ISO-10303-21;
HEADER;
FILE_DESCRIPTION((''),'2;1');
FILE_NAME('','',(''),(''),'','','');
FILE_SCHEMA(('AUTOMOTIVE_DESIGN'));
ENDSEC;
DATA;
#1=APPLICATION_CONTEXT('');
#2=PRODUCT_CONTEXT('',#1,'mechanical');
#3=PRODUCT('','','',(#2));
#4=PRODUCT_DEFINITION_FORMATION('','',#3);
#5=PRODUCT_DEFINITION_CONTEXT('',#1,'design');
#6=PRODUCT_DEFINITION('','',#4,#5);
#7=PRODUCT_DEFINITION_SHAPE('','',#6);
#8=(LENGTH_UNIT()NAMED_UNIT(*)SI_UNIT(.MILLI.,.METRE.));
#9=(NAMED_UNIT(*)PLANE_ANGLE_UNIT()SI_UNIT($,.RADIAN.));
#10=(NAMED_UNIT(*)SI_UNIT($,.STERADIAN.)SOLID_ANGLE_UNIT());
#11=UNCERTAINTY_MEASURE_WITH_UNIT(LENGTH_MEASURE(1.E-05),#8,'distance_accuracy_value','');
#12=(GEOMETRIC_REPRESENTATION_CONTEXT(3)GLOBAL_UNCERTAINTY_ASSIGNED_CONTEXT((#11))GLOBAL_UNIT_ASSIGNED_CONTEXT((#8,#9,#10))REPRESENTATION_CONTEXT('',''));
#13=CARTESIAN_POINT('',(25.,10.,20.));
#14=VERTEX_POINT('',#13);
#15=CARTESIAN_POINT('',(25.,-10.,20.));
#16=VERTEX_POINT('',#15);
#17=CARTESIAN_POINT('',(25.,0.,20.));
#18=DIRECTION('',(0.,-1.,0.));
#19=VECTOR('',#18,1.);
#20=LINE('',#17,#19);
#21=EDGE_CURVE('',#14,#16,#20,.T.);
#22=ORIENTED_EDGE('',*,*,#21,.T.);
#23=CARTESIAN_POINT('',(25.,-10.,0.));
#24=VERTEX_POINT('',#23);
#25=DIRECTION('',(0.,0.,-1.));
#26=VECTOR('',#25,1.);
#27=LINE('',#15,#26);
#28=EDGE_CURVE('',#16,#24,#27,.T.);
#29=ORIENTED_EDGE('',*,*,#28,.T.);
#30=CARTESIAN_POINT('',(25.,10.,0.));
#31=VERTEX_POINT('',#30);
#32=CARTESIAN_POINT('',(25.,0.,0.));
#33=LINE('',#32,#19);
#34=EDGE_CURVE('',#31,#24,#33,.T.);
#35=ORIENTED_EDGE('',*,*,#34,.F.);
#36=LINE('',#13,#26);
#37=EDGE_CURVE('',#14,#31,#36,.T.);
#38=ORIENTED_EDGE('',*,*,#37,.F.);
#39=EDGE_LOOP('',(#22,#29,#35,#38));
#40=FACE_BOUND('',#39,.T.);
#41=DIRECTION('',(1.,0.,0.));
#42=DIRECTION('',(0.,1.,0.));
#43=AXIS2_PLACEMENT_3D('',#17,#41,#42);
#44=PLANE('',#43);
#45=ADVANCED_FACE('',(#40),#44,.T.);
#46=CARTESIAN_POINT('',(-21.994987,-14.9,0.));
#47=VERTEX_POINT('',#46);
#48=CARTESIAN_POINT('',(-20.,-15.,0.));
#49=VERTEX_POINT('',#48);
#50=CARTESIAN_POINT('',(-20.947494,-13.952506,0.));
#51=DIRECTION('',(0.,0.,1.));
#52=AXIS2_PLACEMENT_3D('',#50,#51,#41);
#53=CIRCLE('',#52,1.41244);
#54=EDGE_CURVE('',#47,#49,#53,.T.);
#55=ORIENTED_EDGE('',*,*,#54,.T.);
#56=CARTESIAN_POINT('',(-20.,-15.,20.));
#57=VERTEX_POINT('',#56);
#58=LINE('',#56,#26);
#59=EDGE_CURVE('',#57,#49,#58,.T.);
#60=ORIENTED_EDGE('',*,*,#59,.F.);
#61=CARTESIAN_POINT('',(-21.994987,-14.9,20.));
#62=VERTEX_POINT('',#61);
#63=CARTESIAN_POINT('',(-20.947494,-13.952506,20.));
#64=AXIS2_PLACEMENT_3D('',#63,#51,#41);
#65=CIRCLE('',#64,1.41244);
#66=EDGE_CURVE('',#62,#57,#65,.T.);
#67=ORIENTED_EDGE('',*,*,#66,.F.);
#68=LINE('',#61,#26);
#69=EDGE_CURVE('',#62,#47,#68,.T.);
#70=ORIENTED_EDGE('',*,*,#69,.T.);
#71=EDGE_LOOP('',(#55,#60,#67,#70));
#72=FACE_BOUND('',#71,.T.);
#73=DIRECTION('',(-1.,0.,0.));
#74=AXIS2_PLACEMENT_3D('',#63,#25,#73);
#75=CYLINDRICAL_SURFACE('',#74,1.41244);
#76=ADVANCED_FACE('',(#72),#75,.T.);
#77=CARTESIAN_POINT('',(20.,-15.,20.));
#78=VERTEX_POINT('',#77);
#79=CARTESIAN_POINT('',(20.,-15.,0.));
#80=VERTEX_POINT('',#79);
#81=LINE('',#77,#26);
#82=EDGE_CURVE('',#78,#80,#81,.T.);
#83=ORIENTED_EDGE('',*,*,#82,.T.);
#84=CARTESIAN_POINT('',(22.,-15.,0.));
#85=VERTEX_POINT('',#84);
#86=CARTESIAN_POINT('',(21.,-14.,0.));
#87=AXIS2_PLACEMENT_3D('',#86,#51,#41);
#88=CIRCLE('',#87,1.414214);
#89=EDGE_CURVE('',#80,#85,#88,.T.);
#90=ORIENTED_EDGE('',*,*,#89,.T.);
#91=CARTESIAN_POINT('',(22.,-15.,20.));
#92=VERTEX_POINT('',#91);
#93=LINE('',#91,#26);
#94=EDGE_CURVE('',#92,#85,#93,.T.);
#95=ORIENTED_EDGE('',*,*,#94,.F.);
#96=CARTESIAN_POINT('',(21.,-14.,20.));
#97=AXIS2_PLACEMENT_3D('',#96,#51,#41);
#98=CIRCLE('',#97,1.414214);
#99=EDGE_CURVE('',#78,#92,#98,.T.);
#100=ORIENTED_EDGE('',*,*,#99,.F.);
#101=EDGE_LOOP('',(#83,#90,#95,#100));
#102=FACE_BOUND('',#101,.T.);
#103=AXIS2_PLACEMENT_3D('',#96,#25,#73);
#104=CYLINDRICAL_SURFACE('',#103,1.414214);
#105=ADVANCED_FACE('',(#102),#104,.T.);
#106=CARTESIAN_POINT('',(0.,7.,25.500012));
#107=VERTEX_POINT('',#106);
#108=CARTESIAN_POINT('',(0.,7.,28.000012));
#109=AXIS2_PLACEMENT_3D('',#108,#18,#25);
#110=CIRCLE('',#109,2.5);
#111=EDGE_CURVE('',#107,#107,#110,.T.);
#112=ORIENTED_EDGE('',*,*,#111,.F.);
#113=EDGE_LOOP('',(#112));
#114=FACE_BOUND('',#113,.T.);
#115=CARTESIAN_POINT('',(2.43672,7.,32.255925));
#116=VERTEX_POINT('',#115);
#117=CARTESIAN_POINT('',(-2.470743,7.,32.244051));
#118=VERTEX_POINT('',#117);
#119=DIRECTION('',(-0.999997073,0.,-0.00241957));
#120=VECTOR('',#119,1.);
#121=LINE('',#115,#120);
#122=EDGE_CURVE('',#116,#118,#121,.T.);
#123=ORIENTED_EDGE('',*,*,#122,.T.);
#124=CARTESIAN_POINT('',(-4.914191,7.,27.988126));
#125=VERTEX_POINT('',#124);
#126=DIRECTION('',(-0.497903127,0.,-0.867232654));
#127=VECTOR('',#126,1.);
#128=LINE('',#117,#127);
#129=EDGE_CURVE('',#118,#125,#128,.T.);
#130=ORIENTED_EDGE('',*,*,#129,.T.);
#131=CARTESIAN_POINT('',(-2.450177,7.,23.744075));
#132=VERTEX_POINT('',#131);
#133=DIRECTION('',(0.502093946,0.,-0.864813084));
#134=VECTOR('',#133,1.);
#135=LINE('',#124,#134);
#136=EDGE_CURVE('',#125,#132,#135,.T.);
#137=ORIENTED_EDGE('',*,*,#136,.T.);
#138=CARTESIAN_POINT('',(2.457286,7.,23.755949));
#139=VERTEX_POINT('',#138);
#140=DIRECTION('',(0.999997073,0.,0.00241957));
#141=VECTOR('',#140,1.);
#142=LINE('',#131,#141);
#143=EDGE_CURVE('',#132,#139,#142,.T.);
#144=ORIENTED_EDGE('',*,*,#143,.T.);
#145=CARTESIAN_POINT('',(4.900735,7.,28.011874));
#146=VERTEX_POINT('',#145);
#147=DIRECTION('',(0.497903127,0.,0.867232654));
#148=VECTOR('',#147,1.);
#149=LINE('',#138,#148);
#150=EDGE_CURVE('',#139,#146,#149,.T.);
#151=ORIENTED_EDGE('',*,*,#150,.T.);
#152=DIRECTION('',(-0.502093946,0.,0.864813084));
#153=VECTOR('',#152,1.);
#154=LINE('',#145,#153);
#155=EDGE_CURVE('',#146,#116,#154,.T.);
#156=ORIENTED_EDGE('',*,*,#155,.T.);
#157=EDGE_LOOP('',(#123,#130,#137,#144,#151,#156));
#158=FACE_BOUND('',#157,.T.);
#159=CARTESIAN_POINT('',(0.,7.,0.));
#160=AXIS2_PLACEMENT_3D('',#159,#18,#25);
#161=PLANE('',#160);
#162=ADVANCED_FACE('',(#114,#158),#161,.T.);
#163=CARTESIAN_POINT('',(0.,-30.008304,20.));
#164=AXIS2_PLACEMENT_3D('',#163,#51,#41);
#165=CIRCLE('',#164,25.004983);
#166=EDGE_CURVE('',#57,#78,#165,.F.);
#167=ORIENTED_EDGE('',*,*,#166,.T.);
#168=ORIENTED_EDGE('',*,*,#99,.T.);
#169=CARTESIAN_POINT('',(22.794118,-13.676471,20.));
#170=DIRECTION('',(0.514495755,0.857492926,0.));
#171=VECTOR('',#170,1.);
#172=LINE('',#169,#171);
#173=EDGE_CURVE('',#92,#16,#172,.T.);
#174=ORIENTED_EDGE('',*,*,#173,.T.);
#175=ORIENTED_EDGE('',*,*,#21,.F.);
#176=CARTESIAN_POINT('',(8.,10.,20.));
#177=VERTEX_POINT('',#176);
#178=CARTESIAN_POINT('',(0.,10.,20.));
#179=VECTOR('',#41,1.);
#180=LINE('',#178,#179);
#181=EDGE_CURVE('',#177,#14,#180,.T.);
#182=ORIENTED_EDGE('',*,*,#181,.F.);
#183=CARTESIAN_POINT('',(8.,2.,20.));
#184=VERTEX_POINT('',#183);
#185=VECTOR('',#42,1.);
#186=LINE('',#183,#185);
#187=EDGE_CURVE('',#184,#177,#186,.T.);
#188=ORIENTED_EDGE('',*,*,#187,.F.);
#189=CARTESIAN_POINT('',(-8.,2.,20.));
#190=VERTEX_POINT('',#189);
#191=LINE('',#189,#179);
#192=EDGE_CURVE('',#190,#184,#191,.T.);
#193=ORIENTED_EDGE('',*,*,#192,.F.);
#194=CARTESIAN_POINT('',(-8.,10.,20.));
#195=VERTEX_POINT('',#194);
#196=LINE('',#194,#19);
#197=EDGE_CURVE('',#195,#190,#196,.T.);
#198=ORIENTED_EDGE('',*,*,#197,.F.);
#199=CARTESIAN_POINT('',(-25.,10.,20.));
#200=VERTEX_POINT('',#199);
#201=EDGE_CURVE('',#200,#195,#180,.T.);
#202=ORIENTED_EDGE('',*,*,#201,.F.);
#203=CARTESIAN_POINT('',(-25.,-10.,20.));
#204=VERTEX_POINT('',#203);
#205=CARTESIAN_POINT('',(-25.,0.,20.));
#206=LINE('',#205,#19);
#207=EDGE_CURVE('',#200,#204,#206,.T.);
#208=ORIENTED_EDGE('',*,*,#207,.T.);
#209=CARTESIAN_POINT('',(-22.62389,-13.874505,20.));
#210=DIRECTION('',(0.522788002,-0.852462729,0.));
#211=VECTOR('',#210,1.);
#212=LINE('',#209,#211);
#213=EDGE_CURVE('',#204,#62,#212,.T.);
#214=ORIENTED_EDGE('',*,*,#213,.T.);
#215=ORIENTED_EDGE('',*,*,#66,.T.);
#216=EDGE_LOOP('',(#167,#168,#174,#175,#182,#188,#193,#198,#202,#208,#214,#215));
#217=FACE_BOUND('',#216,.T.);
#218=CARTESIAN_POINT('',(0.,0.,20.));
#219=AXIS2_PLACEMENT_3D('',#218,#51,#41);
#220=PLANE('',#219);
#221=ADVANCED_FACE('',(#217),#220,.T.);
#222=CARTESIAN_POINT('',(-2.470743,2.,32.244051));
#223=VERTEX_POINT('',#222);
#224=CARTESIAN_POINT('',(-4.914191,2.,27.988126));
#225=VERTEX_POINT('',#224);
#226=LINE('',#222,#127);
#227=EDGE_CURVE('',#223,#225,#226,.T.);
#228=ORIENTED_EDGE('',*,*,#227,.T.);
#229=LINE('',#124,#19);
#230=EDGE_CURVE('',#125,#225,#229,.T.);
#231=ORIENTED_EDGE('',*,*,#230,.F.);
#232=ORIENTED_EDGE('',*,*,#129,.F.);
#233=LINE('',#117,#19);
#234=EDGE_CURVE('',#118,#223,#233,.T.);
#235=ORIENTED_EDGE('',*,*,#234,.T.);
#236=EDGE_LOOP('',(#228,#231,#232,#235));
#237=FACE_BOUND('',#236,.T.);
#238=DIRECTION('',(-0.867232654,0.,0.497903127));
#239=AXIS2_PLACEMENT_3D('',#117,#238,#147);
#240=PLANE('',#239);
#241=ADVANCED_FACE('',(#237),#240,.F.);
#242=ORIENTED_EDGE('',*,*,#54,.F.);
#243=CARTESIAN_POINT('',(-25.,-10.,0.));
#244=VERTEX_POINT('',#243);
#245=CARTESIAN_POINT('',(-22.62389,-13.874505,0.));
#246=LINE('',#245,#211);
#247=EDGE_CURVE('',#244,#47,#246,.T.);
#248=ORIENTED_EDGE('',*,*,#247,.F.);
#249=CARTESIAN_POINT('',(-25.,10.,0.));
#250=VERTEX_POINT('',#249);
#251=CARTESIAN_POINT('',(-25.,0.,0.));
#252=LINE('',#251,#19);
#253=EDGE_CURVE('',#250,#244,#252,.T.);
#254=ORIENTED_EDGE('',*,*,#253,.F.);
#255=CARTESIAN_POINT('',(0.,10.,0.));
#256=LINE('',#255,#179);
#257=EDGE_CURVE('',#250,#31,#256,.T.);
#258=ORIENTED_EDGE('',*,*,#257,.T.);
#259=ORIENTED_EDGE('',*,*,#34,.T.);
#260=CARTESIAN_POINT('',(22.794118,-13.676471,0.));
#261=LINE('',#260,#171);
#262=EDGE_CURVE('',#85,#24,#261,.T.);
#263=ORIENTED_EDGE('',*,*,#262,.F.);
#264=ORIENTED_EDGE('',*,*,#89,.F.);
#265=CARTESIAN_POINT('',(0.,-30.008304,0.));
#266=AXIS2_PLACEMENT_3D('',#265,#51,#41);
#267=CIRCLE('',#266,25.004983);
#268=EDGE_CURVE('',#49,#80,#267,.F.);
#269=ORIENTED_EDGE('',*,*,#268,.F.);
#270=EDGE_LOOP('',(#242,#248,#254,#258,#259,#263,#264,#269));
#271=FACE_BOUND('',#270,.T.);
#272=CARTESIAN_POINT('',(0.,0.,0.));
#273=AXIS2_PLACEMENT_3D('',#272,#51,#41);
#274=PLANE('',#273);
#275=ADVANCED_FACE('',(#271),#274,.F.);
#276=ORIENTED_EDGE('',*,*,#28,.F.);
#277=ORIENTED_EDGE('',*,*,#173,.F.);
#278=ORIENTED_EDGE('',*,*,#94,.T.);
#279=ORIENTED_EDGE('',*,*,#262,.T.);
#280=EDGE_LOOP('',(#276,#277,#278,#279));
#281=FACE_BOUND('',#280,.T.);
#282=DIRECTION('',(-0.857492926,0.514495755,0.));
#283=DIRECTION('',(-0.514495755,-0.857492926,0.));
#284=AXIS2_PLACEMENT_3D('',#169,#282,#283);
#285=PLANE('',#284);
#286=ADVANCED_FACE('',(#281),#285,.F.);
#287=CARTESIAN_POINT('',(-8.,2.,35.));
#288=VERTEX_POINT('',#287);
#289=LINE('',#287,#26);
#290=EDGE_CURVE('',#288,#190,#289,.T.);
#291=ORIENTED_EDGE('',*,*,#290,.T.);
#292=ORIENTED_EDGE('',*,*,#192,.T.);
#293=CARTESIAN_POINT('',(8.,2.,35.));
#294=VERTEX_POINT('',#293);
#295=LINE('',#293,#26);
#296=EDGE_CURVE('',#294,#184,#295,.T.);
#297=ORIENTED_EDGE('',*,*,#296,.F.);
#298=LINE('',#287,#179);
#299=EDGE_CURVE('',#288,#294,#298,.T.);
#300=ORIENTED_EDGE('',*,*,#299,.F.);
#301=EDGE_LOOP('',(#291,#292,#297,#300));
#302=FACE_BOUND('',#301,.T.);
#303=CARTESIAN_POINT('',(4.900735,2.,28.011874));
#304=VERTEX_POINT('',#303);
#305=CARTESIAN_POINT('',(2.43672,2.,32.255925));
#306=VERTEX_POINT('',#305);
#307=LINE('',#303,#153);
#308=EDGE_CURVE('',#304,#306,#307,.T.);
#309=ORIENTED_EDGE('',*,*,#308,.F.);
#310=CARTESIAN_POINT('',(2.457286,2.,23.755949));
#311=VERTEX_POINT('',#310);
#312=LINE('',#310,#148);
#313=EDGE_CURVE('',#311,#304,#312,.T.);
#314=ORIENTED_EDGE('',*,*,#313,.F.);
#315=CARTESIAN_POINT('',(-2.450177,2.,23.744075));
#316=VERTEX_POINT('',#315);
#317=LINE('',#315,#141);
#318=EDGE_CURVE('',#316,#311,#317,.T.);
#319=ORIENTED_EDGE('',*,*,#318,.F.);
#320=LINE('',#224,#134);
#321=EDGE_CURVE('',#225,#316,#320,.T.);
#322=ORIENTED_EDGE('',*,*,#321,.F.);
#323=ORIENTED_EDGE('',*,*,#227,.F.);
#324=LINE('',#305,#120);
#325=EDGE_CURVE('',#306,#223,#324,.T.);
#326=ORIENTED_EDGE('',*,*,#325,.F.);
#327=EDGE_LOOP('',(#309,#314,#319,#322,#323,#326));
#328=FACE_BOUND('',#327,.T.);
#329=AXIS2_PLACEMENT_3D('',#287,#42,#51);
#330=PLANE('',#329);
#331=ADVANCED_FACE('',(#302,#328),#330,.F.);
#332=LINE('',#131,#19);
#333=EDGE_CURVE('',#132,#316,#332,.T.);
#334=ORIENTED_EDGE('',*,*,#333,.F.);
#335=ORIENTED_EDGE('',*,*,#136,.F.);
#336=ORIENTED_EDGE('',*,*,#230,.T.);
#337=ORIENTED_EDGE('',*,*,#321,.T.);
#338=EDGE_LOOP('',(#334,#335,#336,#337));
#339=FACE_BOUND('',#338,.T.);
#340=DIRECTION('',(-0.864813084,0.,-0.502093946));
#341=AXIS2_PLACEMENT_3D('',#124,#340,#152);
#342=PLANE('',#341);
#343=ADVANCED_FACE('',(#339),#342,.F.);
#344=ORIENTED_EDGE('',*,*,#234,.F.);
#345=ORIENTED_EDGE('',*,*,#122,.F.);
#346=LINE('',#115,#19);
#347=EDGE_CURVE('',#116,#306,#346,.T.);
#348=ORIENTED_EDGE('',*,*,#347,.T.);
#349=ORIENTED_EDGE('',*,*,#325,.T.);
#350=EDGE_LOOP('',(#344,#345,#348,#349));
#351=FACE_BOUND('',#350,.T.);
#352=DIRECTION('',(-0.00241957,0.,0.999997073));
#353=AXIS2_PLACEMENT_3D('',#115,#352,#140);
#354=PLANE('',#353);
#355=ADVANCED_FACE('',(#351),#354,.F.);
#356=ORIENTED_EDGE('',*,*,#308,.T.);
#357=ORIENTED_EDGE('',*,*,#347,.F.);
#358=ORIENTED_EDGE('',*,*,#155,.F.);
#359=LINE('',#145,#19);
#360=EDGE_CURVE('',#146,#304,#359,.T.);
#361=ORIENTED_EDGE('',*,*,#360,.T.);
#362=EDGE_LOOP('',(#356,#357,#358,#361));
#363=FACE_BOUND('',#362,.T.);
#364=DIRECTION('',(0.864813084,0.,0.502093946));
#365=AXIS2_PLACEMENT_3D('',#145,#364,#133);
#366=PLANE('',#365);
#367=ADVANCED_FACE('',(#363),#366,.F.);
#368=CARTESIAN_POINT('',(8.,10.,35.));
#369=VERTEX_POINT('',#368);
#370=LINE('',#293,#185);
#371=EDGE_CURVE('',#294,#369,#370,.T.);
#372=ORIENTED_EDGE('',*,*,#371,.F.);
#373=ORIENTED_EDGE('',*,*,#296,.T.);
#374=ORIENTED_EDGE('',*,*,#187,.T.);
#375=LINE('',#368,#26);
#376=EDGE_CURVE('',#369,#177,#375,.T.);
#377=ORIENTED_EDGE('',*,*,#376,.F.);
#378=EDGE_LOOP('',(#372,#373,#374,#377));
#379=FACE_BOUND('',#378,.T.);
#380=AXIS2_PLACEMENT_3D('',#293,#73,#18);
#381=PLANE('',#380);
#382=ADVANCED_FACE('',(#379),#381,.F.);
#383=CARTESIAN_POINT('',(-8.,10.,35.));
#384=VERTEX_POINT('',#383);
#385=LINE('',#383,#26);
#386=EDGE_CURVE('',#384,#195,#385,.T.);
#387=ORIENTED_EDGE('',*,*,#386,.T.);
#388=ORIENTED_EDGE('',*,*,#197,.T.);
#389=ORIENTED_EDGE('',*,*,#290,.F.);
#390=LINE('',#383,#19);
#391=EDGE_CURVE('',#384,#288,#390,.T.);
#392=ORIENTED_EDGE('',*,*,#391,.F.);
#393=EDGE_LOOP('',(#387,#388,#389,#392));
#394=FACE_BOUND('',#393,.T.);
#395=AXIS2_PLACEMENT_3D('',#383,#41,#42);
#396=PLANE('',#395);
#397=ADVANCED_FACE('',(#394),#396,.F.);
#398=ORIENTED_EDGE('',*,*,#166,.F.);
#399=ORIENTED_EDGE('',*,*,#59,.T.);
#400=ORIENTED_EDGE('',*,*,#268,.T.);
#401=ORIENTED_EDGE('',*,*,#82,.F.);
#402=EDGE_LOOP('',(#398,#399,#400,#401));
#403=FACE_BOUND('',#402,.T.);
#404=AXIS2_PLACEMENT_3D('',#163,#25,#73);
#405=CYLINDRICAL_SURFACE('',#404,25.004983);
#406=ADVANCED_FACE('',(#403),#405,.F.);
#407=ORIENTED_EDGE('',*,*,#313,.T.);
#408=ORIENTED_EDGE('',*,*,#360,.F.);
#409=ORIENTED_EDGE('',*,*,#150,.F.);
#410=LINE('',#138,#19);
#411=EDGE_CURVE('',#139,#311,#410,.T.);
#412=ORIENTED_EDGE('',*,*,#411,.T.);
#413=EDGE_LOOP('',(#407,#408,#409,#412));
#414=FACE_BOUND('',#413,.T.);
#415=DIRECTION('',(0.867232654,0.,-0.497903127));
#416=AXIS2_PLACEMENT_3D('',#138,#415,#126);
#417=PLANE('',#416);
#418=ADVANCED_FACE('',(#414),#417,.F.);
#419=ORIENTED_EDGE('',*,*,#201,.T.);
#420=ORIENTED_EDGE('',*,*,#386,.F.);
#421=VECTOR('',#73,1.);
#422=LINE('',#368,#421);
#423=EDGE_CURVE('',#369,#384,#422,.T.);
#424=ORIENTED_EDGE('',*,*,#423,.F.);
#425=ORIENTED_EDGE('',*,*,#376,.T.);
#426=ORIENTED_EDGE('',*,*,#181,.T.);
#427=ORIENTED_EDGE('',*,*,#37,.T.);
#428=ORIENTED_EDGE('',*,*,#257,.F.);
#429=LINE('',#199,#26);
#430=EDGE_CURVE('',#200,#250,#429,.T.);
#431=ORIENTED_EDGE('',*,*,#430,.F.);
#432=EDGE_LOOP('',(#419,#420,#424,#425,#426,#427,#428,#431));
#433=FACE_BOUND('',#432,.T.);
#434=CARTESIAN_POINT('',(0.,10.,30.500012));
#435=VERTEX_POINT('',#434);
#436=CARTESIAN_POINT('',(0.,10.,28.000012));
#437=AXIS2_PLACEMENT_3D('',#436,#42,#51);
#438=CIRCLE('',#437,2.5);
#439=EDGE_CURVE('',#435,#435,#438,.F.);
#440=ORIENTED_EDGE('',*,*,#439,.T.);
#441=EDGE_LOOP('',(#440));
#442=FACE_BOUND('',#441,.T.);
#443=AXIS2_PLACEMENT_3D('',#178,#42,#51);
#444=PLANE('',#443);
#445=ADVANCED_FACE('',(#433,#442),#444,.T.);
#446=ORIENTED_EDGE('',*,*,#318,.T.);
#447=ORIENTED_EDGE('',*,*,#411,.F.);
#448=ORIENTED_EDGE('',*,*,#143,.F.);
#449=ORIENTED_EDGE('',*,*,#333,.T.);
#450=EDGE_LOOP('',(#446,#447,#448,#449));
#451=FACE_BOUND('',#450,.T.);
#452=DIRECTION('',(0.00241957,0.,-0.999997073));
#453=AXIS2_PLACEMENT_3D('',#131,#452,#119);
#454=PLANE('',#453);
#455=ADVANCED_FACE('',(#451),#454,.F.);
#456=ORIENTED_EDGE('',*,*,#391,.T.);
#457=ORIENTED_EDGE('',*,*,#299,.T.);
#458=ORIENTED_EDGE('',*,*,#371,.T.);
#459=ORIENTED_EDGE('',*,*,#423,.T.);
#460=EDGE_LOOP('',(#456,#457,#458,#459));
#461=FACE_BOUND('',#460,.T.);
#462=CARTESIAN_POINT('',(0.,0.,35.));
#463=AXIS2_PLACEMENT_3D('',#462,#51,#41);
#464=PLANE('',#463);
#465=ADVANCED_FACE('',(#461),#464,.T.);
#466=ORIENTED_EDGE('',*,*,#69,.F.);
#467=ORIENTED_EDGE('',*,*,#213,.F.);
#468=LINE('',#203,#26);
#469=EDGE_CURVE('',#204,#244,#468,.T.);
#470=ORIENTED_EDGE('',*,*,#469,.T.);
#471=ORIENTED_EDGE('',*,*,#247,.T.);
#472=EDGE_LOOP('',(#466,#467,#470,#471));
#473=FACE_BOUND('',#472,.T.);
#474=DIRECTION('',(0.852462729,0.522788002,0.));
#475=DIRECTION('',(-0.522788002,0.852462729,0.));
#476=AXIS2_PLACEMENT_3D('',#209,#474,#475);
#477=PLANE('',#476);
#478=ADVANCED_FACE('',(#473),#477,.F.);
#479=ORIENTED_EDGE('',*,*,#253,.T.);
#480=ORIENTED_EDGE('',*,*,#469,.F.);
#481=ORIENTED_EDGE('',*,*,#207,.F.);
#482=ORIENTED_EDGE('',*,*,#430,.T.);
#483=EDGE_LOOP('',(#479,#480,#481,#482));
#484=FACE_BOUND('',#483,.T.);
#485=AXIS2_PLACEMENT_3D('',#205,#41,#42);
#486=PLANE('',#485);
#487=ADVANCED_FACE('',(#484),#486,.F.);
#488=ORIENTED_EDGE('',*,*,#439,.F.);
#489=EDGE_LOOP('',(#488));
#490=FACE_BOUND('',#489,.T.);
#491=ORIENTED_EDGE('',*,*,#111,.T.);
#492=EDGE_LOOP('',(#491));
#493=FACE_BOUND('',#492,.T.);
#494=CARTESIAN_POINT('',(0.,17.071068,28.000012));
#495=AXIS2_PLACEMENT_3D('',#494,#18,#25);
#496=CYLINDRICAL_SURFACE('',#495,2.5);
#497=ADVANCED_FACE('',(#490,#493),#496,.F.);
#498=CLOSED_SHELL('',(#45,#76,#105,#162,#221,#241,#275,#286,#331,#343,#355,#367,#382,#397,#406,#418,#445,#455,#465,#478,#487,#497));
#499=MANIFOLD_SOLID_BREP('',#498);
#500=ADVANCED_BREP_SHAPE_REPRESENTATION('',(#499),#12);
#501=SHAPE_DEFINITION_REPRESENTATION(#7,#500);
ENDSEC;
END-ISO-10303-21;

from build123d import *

# Parameters (mm, degrees)
BOSS_EXTRUDE1_DEPTH = 20
BOSS_EXTRUDE2_DEPTH = 15
CUT_EXTRUDE1_DEPTH  = 5
SKETCH5_R           = 2.5
CUT_EXTRUDE2_DEPTH  = 3


with BuildPart() as part:
    # Sketch1 → Boss-Extrude1 (new body)
    with BuildSketch(Plane.XY):
        with BuildLine():
            Line((-25, 10), (25, 10))
            Line((25, 10), (25, -10))
            Line((25, -10), (22, -15))
            ThreePointArc((22, -15), (21, -15.414213562), (20, -15))
            ThreePointArc((20, -15), (0, -5.003320801), (-20, -15))
            ThreePointArc((-20, -15), (-21.018204397, -15.363175427), (-21.994987437, -14.9))
            Line((-21.994987437, -14.9), (-25, -10))
            Line((-25, -10), (-25, 10))
        make_face()
    extrude(amount=BOSS_EXTRUDE1_DEPTH)

    # Sketch2 → Boss-Extrude2 (add)
    with BuildSketch(Plane.XY.offset(20)):
        Polygon((0, 10), (-8, 10), (-8, 2), (8, 2), (8, 10), align=None)
    extrude(amount=BOSS_EXTRUDE2_DEPTH)

    # Sketch4 → Cut-Extrude1 (cut)
    with BuildSketch(Plane.XZ.offset(-2)):
        Polygon((2.457286371, 23.755949434), (4.900734659, 28.011873987), (2.436720023, 32.255924553), (-2.4707429, 32.244050566), (-4.914191188, 27.988126013), (-2.450176552, 23.744075447), align=None)
    extrude(amount=-CUT_EXTRUDE1_DEPTH, mode=Mode.SUBTRACT)

    # Sketch5 → Cut-Extrude2 (cut)
    with BuildSketch(Plane.XZ.offset(-7)):
        with Locations((0, 28.00001244)):
            Circle(SKETCH5_R)
    extrude(amount=-CUT_EXTRUDE2_DEPTH, mode=Mode.SUBTRACT)


solid = part.part
